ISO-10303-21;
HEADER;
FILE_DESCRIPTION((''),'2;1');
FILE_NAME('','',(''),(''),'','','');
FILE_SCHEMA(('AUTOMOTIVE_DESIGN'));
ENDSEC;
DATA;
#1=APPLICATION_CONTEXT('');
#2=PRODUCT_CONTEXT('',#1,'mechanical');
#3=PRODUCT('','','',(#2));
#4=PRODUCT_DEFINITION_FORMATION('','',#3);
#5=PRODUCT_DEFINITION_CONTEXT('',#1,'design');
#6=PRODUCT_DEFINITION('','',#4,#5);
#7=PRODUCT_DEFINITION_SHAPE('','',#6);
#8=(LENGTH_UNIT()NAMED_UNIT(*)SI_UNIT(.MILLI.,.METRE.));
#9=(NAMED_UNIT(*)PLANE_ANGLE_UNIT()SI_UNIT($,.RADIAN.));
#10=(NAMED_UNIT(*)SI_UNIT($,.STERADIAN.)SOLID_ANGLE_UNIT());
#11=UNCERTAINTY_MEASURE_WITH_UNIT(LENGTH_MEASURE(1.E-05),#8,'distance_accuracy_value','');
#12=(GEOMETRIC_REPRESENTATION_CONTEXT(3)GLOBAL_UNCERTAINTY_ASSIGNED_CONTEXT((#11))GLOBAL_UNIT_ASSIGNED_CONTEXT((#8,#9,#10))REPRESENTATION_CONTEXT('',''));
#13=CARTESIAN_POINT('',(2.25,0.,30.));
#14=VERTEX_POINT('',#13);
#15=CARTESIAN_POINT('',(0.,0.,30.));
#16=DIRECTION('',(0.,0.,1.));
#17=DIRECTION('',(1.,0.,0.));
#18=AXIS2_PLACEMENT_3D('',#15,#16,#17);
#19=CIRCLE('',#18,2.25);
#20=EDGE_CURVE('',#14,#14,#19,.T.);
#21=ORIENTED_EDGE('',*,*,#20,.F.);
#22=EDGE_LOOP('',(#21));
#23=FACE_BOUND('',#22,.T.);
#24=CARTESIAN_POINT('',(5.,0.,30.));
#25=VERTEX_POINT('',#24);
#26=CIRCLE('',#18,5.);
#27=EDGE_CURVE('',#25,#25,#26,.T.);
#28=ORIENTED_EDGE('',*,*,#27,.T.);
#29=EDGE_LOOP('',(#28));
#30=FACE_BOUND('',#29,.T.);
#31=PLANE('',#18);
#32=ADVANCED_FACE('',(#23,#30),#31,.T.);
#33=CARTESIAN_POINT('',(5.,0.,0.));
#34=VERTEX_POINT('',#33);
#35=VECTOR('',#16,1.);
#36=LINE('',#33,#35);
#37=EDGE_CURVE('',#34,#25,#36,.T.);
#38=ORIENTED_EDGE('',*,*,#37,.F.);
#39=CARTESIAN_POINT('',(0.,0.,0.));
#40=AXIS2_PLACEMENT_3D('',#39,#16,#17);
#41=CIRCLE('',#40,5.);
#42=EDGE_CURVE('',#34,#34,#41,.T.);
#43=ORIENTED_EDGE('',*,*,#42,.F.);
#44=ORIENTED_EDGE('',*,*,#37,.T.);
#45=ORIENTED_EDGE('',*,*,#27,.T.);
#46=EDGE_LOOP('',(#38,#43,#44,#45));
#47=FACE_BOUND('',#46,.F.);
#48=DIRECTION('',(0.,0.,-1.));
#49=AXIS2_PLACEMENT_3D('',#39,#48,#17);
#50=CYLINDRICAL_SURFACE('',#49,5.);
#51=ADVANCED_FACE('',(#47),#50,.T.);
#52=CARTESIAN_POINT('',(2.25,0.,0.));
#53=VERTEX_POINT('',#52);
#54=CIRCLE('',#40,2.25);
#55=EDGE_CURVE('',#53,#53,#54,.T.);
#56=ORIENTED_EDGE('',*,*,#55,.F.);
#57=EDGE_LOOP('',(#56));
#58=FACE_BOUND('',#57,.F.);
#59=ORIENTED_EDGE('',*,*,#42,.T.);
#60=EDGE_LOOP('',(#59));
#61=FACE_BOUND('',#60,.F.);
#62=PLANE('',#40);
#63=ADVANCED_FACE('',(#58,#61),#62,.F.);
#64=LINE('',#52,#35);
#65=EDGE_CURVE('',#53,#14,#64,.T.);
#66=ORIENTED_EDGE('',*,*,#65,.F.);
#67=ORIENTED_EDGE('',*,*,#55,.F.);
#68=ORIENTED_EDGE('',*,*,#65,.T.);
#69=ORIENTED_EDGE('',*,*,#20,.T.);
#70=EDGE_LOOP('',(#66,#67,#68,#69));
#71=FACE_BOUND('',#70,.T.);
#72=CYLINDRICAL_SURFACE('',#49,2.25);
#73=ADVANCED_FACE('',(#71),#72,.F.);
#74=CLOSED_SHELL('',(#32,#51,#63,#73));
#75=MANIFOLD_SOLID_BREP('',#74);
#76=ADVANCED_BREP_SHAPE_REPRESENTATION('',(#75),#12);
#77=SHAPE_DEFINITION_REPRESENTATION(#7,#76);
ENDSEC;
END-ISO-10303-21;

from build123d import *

# Parameters (mm, degrees)
SKETCH_R   = 5
SKETCH_R_2 = 2.25
PAD_DEPTH  = 30


with BuildPart() as part:
    # Sketch → Pad (new body)
    with BuildSketch(Plane.XY):
        Circle(SKETCH_R)
        Circle(SKETCH_R_2, mode=Mode.SUBTRACT)
    extrude(amount=PAD_DEPTH)


solid = part.part
